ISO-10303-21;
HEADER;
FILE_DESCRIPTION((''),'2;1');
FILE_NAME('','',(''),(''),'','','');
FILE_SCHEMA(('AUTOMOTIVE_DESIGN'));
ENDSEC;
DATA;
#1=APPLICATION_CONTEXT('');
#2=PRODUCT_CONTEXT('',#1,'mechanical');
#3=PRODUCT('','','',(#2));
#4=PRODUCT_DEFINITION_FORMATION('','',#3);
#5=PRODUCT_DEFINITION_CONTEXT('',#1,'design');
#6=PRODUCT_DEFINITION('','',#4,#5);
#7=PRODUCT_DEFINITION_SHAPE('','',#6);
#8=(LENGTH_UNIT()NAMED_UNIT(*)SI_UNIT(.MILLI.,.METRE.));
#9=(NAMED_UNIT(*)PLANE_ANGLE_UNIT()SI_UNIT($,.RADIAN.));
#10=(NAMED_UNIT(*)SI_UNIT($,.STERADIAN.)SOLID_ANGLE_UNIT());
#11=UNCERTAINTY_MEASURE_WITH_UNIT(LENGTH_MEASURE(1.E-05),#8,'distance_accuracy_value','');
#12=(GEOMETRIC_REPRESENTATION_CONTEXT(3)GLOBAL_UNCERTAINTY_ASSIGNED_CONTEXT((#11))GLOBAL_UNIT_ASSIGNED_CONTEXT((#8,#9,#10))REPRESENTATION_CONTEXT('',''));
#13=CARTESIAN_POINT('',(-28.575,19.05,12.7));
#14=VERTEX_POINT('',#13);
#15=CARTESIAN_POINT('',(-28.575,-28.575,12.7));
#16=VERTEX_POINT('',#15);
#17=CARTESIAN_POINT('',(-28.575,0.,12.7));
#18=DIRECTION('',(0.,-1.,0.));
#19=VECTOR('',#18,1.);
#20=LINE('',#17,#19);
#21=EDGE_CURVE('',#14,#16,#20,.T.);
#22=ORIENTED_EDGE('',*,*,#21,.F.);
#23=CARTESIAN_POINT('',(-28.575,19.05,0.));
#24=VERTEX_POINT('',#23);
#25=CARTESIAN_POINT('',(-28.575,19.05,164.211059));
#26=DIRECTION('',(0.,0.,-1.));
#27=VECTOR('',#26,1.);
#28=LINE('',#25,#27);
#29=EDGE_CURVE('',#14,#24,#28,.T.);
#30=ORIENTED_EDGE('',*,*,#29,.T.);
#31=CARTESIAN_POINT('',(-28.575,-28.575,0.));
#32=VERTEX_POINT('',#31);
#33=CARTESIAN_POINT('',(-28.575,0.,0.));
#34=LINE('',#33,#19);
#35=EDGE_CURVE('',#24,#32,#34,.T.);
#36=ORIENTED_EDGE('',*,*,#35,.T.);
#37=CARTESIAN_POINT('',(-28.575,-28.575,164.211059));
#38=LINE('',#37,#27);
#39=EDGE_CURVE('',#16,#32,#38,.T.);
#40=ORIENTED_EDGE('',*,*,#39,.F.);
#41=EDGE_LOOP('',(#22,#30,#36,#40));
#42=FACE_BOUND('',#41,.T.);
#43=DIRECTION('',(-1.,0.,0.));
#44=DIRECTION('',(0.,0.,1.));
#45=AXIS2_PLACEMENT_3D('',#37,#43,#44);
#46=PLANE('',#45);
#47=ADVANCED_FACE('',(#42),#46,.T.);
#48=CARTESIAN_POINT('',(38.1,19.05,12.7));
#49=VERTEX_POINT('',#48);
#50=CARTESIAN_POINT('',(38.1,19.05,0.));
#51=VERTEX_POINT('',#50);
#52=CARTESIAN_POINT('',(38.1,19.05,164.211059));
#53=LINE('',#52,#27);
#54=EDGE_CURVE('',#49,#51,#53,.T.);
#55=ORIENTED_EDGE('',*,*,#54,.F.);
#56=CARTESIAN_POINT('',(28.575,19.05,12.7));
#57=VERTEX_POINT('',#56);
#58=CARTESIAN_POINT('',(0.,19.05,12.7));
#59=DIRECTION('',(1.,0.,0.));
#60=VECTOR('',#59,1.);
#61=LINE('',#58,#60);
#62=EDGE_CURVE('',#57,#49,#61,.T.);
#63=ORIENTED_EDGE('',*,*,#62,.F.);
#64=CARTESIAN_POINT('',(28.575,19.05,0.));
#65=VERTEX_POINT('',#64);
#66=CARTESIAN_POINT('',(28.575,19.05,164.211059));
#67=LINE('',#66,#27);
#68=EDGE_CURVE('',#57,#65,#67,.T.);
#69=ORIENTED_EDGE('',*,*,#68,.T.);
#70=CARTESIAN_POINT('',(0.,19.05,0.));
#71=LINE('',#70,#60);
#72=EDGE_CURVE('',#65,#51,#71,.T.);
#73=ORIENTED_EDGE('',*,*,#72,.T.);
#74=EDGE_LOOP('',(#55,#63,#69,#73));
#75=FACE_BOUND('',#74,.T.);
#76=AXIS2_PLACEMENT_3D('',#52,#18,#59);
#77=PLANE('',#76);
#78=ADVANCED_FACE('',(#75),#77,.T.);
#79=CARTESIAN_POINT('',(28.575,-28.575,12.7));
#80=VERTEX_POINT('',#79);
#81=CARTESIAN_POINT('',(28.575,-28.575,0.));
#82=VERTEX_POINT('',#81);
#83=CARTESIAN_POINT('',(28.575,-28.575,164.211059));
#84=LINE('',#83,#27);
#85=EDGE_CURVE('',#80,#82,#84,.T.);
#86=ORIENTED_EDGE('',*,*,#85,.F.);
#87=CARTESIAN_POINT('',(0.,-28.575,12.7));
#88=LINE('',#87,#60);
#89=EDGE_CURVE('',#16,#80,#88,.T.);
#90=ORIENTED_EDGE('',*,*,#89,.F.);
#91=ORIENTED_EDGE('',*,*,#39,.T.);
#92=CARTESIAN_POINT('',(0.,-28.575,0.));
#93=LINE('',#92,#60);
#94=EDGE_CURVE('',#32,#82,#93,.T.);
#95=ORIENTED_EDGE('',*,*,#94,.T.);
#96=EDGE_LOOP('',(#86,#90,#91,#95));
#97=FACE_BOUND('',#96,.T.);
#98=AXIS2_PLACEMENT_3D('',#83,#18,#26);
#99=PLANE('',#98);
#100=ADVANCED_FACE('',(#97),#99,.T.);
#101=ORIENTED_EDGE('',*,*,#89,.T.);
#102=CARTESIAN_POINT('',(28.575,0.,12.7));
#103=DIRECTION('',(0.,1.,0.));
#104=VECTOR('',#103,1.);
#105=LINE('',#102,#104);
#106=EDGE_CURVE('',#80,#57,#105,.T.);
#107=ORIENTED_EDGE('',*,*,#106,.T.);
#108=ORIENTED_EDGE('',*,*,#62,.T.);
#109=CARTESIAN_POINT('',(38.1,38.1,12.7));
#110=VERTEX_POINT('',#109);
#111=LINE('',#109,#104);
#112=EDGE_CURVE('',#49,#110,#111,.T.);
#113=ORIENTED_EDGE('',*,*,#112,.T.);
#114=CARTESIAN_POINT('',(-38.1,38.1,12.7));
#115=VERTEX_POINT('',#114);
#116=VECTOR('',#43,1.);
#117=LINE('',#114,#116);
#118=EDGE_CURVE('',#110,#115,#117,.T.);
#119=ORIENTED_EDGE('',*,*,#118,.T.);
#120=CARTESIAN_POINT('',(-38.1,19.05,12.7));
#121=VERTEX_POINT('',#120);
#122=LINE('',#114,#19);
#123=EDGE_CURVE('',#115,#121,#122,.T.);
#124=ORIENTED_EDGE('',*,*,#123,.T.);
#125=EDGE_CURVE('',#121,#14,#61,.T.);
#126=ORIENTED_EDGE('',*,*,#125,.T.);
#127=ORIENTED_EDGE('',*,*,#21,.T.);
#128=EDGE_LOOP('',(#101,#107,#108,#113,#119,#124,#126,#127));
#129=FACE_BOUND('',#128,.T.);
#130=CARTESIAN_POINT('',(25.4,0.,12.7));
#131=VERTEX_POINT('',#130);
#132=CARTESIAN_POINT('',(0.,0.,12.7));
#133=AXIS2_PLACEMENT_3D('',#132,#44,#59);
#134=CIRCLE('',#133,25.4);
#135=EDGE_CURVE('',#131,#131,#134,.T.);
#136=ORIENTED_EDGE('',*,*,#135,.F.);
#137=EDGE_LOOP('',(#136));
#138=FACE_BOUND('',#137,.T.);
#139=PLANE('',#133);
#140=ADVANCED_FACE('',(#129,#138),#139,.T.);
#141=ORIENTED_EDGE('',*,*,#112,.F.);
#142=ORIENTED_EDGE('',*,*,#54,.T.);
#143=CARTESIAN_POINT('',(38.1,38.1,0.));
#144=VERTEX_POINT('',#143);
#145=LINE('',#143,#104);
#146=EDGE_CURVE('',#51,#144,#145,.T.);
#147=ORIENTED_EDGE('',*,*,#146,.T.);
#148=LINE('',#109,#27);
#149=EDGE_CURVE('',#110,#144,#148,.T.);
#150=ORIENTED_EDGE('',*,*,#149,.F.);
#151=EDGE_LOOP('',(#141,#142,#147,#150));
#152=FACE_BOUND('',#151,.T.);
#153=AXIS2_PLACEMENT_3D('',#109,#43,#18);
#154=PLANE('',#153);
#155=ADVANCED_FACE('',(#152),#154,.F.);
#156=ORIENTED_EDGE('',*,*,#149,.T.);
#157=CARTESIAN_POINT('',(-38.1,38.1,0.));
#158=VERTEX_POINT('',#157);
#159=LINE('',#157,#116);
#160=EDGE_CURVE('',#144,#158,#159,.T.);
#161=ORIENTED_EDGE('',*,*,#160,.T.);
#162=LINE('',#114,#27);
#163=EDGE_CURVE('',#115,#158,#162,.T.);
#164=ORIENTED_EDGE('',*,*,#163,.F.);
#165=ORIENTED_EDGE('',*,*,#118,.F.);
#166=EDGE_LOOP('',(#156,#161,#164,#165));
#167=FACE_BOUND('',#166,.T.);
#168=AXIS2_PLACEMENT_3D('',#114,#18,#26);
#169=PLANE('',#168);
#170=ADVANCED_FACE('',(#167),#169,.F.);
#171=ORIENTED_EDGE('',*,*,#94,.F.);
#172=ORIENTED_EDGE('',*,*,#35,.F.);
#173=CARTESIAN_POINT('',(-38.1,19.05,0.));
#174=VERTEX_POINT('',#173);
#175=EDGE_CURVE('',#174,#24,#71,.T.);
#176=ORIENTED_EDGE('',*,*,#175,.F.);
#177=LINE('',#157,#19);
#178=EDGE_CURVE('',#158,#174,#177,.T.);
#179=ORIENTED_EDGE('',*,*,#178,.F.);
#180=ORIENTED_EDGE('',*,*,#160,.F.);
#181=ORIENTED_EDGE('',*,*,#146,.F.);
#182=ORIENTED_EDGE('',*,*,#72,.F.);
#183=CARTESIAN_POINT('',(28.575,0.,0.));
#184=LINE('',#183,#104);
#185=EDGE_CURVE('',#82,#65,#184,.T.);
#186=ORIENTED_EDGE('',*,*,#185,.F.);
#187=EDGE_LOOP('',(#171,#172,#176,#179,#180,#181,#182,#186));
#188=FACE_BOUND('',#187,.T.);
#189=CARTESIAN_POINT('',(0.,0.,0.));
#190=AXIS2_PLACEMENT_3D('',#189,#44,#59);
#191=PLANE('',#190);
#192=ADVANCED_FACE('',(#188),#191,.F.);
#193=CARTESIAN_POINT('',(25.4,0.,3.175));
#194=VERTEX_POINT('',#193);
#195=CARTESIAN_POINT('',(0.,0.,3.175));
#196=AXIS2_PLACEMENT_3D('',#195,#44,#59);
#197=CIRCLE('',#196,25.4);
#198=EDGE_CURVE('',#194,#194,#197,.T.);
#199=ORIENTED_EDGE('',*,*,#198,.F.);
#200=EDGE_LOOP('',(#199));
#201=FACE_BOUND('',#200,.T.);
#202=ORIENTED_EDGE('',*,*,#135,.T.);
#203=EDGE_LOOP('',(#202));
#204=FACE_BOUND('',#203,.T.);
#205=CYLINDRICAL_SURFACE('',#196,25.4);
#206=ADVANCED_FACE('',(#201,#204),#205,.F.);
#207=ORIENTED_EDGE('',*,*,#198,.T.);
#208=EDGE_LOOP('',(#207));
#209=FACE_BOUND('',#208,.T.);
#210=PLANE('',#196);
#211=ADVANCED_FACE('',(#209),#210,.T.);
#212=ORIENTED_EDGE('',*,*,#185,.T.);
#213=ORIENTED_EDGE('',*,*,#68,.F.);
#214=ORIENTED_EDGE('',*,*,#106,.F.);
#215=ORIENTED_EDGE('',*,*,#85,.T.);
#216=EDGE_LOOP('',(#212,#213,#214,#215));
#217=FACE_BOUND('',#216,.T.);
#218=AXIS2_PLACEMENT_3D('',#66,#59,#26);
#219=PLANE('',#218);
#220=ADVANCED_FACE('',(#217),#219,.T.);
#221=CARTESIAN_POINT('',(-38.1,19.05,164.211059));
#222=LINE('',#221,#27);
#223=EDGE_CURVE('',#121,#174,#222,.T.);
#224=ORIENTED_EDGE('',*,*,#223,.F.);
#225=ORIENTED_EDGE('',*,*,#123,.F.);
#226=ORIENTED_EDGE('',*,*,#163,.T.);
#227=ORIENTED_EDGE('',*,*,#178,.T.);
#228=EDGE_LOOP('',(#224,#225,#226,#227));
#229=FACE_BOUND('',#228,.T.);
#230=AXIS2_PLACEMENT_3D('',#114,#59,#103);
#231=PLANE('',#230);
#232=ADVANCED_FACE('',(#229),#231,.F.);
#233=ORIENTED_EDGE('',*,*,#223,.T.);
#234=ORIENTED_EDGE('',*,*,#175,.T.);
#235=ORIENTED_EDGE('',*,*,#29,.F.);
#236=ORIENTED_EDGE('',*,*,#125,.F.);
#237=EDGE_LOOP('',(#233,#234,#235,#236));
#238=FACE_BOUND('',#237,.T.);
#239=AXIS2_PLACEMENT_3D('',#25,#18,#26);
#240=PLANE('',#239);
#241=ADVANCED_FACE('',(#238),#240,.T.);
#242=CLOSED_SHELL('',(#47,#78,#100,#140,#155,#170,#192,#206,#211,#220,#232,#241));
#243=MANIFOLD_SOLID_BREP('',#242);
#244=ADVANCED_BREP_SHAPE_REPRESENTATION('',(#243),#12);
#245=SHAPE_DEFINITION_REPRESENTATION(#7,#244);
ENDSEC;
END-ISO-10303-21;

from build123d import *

# Parameters (mm, degrees)
SKETCH1_W               = 76.2
SKETCH1_H               = 76.2
BOSS_EXTRUDE1_DEPTH     = 12.7
SKETCH2_R               = 25.4
CUT_EXTRUDE1_DEPTH      = 9.525
CUT_EXTRUDE3_DEPTH      = 1
CUT_EXTRUDE3_DEPTH_BACK = 13.7


with BuildPart() as part:
    # Sketch1 → Boss-Extrude1 (new body)
    with BuildSketch(Plane.XY):
        Rectangle(SKETCH1_W, SKETCH1_H)
    extrude(amount=BOSS_EXTRUDE1_DEPTH)

    # Sketch2 → Cut-Extrude1 (cut)
    with BuildSketch(Plane.XY.offset(12.7)):
        Circle(SKETCH2_R)
    extrude(amount=-CUT_EXTRUDE1_DEPTH, mode=Mode.SUBTRACT)

    # Sketch3 → Cut-Extrude3 (cut, two sides)
    with BuildSketch(Plane.XY.offset(12.7)) as cut_extrude3_sk:
        Polygon((238.6, 19.05), (38.1, 19.05), (28.575, 19.05), (28.575, -28.575), (-28.575, -28.575), (-28.575, 19.05), (-38.1, 19.05), (-238.6, 19.05), (-238.6, -381.95), (238.6, -381.95), align=None)
    extrude(amount=CUT_EXTRUDE3_DEPTH, mode=Mode.SUBTRACT)
    extrude(cut_extrude3_sk.sketch, amount=-CUT_EXTRUDE3_DEPTH_BACK, mode=Mode.SUBTRACT)


solid = part.part
